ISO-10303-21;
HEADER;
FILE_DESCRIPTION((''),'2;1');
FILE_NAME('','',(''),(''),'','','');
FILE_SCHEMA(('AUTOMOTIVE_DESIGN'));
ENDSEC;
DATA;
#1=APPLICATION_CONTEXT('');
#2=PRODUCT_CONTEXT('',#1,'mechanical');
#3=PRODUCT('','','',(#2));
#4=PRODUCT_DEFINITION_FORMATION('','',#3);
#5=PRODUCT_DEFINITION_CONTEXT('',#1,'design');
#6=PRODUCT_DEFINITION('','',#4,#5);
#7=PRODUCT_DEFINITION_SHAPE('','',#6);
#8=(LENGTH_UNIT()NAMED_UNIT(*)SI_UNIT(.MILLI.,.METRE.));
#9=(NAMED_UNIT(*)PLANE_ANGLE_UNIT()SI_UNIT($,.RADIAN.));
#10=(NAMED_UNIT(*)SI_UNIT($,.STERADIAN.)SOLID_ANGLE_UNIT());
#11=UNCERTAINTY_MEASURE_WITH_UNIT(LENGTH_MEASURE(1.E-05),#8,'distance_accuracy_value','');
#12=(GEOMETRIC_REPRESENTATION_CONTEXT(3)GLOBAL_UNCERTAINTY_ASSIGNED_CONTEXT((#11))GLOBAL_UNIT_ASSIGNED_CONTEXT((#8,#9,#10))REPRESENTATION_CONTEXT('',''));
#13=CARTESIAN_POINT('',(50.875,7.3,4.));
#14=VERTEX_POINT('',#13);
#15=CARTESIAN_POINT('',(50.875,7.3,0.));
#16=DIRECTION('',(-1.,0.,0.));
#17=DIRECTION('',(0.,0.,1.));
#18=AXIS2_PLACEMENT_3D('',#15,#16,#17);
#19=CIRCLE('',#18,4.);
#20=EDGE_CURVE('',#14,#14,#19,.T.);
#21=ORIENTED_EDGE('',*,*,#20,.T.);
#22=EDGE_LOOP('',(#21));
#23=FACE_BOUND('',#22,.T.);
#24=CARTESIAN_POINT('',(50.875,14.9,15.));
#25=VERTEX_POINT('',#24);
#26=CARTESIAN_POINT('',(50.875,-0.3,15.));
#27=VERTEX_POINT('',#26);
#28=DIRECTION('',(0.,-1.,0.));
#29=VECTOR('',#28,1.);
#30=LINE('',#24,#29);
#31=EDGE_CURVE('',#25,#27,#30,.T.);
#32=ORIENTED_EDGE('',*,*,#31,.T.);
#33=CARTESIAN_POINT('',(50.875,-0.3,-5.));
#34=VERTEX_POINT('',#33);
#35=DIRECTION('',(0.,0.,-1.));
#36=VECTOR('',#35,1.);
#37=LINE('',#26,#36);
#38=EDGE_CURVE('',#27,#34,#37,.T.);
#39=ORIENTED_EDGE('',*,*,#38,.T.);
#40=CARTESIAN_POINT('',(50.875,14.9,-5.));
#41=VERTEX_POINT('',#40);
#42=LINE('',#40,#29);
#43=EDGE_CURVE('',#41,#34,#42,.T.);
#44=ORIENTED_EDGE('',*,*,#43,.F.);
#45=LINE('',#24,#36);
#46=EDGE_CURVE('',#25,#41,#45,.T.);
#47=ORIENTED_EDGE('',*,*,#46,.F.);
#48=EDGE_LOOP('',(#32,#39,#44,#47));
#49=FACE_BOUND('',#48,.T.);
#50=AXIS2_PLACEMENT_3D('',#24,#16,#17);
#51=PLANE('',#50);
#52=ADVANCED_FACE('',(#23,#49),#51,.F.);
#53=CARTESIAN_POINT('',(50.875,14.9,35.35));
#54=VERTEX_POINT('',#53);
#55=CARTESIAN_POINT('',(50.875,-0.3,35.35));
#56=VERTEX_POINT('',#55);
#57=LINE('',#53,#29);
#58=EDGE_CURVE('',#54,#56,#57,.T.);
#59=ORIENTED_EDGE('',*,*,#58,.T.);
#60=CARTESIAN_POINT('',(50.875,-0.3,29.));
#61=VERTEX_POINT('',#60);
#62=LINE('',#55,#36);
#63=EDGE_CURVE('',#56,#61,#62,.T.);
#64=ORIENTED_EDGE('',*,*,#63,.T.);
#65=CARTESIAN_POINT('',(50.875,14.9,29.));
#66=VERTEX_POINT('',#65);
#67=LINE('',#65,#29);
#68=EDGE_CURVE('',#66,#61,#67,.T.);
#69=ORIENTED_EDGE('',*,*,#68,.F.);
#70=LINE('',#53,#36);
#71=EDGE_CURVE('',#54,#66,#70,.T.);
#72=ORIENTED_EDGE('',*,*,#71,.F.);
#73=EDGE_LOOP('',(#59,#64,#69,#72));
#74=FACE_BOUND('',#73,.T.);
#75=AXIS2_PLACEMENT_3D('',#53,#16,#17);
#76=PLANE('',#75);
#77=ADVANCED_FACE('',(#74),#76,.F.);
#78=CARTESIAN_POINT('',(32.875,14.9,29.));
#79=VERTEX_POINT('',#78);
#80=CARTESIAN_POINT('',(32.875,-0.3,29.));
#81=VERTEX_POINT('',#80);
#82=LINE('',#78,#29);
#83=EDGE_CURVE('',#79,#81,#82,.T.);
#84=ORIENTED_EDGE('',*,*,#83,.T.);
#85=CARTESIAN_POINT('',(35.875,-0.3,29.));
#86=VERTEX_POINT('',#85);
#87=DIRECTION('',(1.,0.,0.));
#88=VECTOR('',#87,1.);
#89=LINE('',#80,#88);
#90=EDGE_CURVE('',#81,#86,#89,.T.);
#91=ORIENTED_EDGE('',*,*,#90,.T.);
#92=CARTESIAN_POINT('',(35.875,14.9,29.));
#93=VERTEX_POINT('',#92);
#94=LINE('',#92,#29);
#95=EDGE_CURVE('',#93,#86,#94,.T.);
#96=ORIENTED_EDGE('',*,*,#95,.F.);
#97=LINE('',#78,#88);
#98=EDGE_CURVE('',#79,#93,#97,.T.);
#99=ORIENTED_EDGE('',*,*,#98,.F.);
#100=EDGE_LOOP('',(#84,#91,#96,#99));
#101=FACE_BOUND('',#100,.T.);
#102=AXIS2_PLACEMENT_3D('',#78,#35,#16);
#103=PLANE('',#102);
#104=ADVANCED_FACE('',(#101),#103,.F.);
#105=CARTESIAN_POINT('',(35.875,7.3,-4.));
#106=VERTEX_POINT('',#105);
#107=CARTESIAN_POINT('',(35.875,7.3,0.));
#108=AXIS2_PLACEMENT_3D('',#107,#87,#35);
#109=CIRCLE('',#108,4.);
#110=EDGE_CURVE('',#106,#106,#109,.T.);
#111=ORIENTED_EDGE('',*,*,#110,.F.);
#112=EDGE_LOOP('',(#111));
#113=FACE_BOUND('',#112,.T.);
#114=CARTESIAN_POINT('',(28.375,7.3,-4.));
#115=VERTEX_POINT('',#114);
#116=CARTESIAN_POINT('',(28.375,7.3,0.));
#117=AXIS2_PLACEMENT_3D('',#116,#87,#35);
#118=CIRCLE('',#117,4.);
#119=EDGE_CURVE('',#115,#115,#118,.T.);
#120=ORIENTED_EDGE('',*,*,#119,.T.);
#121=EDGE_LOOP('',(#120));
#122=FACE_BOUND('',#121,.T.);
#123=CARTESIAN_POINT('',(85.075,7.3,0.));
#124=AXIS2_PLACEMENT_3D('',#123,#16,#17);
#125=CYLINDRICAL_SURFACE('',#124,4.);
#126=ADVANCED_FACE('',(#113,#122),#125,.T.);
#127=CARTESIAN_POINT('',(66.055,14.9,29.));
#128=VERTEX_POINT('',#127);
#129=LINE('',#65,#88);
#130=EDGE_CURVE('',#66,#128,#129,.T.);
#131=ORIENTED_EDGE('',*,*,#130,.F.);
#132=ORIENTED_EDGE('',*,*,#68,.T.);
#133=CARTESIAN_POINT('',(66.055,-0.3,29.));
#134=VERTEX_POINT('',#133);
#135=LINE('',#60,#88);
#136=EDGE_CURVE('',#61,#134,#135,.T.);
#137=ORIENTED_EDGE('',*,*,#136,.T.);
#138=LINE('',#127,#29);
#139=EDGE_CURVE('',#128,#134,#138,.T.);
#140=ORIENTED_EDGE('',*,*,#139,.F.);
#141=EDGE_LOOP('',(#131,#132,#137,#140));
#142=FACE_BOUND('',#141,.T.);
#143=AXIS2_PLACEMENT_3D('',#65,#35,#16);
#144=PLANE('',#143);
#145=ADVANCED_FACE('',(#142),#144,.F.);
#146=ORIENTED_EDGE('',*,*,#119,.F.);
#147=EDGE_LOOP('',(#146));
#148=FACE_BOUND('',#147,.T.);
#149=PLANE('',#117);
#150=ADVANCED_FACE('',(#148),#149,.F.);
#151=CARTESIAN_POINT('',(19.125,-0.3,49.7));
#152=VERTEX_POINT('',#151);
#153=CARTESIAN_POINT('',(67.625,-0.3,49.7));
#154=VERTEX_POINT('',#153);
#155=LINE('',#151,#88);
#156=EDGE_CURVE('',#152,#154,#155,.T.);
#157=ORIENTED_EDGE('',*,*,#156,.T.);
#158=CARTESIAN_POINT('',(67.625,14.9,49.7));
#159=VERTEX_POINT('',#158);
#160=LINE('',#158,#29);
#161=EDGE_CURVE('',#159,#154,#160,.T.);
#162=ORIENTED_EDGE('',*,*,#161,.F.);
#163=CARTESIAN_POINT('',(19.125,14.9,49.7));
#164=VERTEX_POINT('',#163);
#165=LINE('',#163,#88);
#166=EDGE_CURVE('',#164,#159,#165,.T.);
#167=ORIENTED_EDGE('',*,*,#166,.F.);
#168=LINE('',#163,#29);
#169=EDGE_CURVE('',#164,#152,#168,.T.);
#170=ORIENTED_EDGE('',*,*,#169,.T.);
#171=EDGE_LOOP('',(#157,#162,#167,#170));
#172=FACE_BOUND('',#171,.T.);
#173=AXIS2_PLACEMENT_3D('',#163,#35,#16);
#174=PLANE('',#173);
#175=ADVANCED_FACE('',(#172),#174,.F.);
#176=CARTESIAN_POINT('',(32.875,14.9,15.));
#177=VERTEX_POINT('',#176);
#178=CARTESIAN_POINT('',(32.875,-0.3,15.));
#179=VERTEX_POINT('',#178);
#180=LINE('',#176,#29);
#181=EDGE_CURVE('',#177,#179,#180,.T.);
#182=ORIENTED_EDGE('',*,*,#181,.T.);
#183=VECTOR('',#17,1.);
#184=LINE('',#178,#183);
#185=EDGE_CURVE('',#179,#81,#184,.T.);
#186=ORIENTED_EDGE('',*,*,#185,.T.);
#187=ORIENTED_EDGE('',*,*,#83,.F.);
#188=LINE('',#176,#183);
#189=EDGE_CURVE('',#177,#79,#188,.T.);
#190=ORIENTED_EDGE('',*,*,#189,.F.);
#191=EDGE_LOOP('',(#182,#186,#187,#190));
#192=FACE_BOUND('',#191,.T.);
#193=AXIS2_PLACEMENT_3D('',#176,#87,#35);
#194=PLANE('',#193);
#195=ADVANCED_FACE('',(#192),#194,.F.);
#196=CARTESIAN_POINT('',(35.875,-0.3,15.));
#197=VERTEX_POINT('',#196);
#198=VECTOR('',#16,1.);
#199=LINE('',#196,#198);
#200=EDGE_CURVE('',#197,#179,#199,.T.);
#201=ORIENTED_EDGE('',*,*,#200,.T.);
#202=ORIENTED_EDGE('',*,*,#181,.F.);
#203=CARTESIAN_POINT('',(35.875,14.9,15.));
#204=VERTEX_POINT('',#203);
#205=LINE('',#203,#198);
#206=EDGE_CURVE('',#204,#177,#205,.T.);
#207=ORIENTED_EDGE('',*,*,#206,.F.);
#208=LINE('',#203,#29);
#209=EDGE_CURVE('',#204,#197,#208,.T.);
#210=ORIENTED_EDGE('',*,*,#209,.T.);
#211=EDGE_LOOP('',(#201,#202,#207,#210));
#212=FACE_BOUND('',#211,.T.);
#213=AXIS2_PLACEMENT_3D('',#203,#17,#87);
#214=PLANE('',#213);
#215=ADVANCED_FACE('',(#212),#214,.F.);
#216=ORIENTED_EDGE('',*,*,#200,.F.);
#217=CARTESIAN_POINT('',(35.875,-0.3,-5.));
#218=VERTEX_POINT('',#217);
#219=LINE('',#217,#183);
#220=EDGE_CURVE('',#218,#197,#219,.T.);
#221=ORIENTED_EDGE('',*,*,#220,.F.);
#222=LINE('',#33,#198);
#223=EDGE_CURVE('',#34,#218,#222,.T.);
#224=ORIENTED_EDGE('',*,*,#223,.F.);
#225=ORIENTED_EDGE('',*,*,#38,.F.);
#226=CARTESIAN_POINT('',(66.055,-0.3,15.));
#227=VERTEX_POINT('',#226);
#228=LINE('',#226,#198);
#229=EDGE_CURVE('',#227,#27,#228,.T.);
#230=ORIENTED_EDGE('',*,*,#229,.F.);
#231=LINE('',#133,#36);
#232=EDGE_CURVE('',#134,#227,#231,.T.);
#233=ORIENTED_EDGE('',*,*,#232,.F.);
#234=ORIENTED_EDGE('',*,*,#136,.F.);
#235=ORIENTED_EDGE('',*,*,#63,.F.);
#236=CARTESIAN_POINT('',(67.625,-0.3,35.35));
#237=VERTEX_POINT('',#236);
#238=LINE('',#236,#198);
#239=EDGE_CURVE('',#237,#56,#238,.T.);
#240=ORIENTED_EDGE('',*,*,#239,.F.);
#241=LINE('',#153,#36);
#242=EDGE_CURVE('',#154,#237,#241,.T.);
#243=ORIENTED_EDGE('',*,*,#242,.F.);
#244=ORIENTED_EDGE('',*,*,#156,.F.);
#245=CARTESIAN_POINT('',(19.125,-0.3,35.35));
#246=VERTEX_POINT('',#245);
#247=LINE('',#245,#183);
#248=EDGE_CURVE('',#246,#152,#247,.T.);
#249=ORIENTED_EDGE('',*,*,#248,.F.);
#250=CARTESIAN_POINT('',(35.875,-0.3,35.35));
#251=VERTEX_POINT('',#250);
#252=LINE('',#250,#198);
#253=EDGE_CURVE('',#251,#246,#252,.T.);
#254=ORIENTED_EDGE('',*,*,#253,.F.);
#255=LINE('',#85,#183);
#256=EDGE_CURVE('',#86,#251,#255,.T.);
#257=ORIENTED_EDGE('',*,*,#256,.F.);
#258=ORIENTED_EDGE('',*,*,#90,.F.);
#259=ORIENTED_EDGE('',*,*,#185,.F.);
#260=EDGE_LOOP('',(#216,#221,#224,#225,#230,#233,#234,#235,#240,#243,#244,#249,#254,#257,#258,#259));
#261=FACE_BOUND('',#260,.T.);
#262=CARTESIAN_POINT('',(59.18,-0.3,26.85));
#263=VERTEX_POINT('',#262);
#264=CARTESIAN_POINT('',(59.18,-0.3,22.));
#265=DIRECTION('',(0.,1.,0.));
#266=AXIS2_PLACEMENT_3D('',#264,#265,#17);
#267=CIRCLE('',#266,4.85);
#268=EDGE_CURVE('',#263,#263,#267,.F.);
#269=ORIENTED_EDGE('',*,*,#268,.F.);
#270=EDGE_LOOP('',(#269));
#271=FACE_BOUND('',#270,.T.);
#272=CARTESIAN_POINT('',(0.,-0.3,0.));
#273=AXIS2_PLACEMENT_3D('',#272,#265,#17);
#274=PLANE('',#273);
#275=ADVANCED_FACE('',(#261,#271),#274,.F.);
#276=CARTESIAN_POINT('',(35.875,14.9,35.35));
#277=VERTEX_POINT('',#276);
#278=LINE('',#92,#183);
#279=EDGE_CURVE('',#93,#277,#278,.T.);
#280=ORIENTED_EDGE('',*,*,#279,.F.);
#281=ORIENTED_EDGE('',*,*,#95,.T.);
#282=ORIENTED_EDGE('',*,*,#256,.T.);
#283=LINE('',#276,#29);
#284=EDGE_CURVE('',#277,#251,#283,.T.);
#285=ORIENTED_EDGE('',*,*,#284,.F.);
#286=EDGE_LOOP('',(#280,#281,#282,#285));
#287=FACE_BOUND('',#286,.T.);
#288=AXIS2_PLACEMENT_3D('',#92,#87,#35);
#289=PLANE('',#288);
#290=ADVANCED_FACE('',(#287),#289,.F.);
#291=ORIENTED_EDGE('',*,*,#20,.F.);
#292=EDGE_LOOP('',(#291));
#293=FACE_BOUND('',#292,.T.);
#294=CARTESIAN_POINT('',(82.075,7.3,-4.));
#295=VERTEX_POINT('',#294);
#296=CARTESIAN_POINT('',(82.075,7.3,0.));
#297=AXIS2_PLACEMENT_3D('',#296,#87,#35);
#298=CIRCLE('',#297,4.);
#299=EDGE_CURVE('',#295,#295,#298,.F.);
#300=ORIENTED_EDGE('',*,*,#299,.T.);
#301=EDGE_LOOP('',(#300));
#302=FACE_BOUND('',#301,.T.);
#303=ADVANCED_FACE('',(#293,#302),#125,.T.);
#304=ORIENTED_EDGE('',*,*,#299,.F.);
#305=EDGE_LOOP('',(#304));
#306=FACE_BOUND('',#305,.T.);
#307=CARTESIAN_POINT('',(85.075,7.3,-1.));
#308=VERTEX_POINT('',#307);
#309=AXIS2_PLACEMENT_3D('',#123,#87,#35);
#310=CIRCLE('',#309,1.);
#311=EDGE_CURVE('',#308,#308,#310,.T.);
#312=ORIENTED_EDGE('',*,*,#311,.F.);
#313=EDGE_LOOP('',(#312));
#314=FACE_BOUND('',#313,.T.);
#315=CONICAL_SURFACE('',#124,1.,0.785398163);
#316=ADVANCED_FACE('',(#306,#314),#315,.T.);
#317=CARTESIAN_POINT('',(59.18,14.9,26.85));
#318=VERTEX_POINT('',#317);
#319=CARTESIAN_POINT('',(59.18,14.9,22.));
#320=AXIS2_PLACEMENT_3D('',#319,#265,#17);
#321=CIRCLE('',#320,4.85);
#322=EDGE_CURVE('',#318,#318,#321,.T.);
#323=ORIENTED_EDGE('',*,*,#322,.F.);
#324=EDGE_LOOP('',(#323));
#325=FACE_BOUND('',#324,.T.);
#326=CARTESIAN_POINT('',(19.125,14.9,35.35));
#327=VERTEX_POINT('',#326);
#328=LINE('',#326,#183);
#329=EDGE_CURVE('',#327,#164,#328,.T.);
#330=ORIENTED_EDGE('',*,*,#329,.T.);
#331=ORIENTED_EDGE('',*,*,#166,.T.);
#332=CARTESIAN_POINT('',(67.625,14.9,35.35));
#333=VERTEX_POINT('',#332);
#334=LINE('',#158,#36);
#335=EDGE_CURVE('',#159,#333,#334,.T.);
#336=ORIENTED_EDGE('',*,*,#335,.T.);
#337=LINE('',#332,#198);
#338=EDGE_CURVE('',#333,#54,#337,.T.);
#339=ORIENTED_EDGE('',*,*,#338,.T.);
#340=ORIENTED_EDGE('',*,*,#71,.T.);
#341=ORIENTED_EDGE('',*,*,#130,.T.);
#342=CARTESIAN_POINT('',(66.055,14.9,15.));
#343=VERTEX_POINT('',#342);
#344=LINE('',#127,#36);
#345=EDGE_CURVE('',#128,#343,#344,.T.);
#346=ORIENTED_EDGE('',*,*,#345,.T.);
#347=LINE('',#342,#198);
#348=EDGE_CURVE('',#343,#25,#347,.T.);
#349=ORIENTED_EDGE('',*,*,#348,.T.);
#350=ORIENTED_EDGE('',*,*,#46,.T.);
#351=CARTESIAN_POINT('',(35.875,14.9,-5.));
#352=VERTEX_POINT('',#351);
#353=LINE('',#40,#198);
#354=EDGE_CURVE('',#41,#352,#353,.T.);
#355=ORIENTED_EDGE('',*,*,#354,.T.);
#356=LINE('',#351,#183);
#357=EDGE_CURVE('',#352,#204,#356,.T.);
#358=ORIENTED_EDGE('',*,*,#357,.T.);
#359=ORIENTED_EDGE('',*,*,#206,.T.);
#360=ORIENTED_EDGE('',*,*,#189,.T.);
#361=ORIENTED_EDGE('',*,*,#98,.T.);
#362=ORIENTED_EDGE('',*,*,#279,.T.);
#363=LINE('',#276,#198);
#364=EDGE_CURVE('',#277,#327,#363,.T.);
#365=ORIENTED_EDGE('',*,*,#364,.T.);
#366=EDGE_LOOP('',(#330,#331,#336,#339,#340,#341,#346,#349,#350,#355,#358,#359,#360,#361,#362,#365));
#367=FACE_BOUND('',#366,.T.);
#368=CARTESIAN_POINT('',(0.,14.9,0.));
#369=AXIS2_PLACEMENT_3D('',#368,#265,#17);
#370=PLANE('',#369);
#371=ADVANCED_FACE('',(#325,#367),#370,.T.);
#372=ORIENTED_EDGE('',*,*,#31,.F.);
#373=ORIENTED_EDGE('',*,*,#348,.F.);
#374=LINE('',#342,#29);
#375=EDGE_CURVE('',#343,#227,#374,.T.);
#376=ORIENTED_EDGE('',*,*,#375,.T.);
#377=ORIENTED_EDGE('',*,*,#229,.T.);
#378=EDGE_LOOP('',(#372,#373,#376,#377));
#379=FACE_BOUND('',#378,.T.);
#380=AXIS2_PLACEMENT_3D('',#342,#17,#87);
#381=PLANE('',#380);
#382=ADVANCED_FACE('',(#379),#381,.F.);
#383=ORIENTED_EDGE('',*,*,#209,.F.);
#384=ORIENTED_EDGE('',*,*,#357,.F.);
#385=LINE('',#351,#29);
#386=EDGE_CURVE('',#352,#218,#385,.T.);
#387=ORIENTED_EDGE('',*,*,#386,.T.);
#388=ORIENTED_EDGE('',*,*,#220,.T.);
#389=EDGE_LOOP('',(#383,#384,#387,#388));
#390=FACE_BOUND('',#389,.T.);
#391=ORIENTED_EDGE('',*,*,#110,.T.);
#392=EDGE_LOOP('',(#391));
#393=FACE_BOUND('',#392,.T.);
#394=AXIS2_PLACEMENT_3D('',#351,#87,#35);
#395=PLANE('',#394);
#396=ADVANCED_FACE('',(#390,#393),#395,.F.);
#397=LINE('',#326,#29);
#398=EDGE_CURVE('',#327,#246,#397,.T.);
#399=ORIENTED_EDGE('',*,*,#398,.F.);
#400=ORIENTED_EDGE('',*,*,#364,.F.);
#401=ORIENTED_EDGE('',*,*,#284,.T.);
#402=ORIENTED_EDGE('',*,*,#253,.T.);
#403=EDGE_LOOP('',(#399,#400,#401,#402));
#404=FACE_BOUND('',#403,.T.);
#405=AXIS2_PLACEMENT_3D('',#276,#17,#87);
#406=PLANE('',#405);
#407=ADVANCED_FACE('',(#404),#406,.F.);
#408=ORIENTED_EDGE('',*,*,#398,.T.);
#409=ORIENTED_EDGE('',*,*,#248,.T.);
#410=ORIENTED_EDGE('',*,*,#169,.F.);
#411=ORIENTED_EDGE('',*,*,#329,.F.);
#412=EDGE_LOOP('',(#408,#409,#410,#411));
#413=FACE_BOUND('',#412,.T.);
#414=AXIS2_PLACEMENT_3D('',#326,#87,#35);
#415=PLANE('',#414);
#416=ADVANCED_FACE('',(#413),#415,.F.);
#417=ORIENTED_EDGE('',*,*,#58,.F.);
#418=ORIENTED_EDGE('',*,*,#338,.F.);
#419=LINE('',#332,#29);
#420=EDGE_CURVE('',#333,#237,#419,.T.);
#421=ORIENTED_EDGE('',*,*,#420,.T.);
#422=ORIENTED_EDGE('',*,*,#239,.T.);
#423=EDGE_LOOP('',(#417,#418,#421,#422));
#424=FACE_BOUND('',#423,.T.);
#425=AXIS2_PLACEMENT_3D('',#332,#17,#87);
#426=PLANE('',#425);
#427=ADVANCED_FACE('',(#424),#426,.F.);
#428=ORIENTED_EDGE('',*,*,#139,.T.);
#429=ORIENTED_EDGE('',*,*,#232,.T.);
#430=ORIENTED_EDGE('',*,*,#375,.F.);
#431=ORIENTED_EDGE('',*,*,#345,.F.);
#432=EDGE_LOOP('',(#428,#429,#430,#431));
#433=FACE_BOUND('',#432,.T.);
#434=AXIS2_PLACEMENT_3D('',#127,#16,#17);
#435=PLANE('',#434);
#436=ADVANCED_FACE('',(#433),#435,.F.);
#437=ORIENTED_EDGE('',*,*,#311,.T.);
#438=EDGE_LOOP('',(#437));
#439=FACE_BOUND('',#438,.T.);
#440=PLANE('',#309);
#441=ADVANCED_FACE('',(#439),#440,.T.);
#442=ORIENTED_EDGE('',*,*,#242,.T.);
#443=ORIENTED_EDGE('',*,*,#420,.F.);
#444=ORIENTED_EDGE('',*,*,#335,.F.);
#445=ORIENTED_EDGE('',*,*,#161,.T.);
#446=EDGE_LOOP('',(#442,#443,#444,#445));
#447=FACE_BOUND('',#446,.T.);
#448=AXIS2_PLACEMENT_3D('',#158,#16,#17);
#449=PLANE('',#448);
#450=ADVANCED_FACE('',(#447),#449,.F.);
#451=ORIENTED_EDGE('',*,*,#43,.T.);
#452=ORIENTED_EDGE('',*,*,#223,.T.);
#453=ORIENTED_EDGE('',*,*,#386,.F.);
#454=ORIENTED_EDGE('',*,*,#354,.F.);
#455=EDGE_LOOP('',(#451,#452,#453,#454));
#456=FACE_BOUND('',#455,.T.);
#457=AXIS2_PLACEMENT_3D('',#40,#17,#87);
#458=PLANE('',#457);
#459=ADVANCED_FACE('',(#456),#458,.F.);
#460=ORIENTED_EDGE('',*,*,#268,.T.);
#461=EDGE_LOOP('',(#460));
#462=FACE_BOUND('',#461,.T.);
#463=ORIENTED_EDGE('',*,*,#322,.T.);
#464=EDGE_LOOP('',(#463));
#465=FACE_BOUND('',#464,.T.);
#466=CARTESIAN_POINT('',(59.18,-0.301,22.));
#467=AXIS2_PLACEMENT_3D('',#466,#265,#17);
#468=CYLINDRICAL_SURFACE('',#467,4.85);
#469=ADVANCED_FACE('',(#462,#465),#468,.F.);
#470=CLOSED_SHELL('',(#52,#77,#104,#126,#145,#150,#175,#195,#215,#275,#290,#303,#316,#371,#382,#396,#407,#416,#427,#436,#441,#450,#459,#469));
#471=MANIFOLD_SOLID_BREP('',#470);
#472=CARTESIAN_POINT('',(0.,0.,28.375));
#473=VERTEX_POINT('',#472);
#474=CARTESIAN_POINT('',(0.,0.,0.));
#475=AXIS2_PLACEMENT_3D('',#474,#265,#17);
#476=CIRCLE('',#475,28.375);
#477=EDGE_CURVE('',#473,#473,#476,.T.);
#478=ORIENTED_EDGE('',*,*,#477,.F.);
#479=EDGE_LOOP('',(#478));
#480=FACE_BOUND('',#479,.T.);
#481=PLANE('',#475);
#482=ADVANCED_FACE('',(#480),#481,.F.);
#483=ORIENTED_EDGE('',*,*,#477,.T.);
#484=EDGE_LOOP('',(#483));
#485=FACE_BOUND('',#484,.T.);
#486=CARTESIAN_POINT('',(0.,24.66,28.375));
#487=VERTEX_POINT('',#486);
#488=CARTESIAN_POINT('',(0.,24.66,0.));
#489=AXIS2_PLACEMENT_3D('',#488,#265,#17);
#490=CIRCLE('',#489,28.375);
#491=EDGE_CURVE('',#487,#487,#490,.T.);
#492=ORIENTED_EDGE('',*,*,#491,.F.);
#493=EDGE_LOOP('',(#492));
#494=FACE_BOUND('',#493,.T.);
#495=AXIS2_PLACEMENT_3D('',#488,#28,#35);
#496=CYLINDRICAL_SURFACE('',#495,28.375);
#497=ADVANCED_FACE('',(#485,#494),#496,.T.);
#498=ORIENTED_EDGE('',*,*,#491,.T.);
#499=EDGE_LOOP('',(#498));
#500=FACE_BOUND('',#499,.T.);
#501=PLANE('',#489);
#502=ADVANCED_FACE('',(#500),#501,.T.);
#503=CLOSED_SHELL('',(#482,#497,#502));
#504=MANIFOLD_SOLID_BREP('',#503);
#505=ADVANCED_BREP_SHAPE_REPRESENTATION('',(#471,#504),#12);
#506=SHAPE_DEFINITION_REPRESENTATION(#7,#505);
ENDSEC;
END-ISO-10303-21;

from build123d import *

# Parameters (mm, degrees)
SKETCH1_R           = 28.375
BOSS_EXTRUDE1_DEPTH = 24.66
SKETCH3_R           = 4
BOSS_EXTRUDE2_DEPTH = 56.7
CHAMFER1_SIZE       = 3
BOSS_EXTRUDE3_DEPTH = 7.6
SKETCH6_R           = 4.85
CUT_EXTRUDE1_DEPTH  = 15.2


with BuildPart() as part:
    # Sketch1 → Boss-Extrude1 (new body)
    with BuildSketch(Plane(origin=(0, 0, 0), x_dir=(1, 0, 0), z_dir=(0, 1, 0))):
        Circle(SKETCH1_R)
    extrude(amount=BOSS_EXTRUDE1_DEPTH)


with BuildPart() as body_2:
    # Sketch3 → Boss-Extrude2 (new body)
    with BuildSketch(Plane(origin=(28.375, 0, 0), x_dir=(0, 0, -1), z_dir=(1, 0, 0))):
        with Locations((0, 7.3)):
            Circle(SKETCH3_R)
    extrude(amount=BOSS_EXTRUDE2_DEPTH)

    # Chamfer1
    chamfer1_edges = [body_2.edges().sort_by_distance(p)[0] for p in [
        (85.075, 7.3, 4),
    ]]
    chamfer(chamfer1_edges, length=CHAMFER1_SIZE)

    # Sketch5 → Boss-Extrude3 (add, symmetric)
    with BuildSketch(Plane(origin=(0, 7.3, 0), x_dir=(1, 0, 0), z_dir=(0, 1, 0))):
        Polygon((35.875, 5), (35.875, -15), (32.875, -15), (32.875, -29), (35.875, -29), (35.875, -35.35), (19.125, -35.35), (19.125, -49.7), (67.625, -49.7), (67.625, -35.35), (50.875, -35.35), (50.875, -29), (66.055, -29), (66.055, -15), (50.875, -15), (50.875, 5), align=None)
    extrude(amount=BOSS_EXTRUDE3_DEPTH, both=True)

    # Sketch6 → Cut-Extrude1 (cut)
    with BuildSketch(Plane(origin=(0, 14.9, 0), x_dir=(1, 0, 0), z_dir=(0, 1, 0))):
        with Locations((59.18, -22)):
            Circle(SKETCH6_R)
    extrude(amount=-CUT_EXTRUDE1_DEPTH, mode=Mode.SUBTRACT)


solid = Compound([part.part, body_2.part])
